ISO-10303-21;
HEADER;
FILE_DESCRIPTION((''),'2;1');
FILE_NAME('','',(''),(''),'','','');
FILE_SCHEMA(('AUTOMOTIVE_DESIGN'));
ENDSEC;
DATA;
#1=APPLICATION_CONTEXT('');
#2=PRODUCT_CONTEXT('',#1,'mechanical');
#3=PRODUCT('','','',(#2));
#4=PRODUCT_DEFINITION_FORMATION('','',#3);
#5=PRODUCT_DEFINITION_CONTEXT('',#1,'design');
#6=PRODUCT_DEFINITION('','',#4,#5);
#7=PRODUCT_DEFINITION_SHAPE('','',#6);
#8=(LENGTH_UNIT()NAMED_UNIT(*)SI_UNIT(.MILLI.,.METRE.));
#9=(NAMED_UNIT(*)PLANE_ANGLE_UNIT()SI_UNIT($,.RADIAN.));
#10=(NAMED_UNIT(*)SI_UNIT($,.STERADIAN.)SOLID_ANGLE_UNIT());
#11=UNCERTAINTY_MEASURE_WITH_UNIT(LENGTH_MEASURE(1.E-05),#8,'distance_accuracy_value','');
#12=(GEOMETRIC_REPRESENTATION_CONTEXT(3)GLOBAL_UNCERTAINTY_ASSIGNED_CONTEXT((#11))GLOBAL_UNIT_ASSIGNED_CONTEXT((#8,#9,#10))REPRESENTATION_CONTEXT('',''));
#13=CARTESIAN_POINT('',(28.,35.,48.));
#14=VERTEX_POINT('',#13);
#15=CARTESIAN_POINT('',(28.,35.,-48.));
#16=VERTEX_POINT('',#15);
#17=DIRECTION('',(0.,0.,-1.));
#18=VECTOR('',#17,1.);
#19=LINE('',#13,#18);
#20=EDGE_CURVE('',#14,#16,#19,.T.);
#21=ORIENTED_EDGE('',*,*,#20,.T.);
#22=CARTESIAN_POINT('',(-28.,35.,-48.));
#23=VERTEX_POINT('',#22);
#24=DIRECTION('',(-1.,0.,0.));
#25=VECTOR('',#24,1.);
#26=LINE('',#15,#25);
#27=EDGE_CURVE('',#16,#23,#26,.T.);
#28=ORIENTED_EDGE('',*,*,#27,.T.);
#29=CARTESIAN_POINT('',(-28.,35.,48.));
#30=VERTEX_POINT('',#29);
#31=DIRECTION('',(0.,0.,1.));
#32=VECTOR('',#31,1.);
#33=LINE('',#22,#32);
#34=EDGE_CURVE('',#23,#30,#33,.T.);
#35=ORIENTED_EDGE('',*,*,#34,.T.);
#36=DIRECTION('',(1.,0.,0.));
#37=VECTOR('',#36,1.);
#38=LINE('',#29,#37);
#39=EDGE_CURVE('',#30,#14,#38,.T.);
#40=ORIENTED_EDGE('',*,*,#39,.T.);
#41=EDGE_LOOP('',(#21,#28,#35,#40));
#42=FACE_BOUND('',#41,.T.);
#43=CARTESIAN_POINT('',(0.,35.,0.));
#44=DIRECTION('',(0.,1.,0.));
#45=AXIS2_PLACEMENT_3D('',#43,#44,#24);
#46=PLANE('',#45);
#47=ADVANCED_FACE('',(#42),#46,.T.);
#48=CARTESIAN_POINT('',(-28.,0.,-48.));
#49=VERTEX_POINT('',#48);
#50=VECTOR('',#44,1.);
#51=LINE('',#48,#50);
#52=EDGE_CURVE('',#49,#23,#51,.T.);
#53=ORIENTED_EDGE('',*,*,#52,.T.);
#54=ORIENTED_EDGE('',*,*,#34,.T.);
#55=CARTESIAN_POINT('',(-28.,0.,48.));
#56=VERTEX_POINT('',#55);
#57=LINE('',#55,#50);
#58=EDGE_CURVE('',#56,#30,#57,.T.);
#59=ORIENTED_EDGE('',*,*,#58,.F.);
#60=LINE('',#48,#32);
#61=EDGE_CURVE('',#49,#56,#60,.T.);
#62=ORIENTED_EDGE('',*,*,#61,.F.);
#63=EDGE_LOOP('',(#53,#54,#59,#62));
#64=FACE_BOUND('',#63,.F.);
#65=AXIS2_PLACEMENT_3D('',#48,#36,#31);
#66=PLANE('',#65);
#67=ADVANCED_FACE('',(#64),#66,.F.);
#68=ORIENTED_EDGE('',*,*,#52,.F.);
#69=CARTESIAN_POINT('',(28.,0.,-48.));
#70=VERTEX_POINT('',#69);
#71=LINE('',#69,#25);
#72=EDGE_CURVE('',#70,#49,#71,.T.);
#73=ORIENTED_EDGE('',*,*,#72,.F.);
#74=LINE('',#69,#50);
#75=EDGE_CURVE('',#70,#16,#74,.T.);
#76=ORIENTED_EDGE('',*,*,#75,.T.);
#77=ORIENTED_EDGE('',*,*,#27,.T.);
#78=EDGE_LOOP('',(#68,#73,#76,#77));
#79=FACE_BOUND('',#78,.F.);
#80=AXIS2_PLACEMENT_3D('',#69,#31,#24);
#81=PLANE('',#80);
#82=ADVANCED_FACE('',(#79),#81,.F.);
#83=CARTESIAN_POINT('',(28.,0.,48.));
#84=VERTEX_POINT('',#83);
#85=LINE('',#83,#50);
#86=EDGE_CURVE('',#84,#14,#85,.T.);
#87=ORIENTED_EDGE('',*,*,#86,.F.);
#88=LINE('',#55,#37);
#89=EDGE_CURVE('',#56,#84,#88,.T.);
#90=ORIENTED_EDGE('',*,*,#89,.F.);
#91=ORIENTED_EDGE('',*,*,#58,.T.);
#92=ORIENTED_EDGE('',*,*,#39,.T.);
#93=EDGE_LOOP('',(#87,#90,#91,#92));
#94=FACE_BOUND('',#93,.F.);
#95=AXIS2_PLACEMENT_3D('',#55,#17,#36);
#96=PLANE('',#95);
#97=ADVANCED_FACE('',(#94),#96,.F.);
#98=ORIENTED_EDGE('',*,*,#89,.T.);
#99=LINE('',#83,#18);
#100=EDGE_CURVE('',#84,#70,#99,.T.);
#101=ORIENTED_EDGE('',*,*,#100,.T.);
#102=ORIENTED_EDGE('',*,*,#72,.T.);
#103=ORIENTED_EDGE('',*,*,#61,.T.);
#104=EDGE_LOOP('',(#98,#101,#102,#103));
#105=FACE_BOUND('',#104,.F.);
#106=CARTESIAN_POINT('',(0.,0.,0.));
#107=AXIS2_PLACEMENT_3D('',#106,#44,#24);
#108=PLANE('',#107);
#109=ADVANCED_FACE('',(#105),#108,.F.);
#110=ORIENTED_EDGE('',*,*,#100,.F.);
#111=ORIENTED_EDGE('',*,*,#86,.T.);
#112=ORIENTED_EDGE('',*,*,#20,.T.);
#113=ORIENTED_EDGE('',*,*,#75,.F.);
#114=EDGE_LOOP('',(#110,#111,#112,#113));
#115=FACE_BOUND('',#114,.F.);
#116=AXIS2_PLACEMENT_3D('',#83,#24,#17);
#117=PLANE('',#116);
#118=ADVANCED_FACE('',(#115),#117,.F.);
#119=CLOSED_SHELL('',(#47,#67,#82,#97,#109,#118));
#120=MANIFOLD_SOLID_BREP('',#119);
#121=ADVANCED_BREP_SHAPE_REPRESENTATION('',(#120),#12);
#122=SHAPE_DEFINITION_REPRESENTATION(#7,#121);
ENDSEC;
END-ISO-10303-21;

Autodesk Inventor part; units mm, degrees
ref_plane "YZ Plane" through (0, 0, 0) normal (1, 0, 0) x (0, 1, 0)
ref_plane "XZ Plane" through (0, 0, 0) normal (0, 1, 0) x (-1, 0, 0)
ref_plane "XY Plane" through (0, 0, 0) normal (0, 0, 1) x (1, 0, 0)
sketch "Sketch1" plane through (0, 0, 0) normal (0, 1, 0) x (-1, 0, 0)
  line L0 (28, 48) -> (-28, 48)
  line L1 (-28, 48) -> (-28, -48)
  line L2 (-28, -48) -> (28, -48)
  line L3 (28, -48) -> (28, 48)
  point P0 (0, 0)
  dimension "d0" = 96
  dimension "d1" = 56
  dimension "d2" = 28
  dimension "d3" = 48
extrude "Extrusion1" add sketch "Sketch1" along normal blind 35
properties part number "Main"
